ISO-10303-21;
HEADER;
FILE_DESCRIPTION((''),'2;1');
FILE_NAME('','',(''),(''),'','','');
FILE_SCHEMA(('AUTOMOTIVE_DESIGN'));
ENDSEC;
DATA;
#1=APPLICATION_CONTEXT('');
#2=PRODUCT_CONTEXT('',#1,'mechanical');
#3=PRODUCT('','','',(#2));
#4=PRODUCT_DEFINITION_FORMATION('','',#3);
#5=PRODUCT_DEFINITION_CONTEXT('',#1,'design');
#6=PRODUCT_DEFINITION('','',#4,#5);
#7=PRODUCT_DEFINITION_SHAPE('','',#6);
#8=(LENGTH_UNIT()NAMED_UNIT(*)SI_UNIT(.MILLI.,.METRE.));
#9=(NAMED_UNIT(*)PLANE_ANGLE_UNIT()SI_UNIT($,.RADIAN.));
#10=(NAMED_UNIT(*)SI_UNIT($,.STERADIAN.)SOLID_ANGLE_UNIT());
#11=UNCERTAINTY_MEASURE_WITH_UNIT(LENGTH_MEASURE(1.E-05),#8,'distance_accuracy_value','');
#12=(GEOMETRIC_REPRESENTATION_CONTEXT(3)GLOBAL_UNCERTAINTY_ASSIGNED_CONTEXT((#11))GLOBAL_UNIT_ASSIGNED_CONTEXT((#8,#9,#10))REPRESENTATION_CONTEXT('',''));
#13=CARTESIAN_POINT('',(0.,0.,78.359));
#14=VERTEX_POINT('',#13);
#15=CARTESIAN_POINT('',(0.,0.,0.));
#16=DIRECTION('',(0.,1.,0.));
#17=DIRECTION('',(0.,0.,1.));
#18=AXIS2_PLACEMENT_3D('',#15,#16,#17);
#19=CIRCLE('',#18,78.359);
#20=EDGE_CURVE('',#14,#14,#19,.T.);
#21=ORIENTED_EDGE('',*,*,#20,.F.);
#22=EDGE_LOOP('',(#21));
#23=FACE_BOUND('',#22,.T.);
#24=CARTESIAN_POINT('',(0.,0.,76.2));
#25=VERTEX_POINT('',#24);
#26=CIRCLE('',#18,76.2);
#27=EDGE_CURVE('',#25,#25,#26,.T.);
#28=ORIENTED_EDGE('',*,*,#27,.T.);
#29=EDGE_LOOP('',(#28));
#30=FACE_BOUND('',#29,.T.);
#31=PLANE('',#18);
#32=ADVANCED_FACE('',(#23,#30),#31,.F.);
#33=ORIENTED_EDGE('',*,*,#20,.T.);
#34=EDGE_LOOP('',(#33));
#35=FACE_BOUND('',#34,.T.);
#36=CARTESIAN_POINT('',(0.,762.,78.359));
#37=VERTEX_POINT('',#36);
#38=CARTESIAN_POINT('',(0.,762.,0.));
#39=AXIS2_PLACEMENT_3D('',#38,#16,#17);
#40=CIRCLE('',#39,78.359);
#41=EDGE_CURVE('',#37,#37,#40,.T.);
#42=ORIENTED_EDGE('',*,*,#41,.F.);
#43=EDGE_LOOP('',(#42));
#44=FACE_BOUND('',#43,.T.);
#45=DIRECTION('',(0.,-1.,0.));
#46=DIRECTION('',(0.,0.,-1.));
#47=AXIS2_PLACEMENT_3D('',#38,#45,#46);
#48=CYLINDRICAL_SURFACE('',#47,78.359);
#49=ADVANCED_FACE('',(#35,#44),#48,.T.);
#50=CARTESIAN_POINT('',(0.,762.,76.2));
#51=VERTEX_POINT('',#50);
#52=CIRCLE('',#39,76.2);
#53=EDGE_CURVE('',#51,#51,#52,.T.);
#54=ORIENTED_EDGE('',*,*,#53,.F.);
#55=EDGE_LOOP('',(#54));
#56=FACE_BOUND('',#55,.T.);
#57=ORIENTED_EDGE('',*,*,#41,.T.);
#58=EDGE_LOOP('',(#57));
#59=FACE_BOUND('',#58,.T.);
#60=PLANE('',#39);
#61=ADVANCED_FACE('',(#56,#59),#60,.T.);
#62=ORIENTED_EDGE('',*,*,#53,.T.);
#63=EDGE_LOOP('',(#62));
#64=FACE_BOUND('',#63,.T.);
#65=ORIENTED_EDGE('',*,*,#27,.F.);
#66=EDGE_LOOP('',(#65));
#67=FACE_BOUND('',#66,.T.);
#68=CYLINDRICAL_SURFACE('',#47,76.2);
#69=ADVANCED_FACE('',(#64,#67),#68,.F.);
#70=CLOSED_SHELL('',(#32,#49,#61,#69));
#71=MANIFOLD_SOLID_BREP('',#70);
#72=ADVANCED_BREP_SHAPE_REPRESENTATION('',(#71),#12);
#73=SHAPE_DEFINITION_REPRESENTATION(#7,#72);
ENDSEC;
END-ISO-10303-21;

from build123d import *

# Parameters (mm, degrees)
SKETCH1_R           = 78.359
SKETCH1_R_2         = 76.2
BOSS_EXTRUDE1_DEPTH = 762


with BuildPart() as part:
    # Sketch1 → Boss-Extrude1 (new body)
    with BuildSketch(Plane(origin=(0, 0, 0), x_dir=(1, 0, 0), z_dir=(0, 1, 0))):
        with Locations(Location((0, 0, 0), (0, 0, 270))):
            Circle(SKETCH1_R)
        with Locations(Location((0, 0, 0), (0, 0, 270))):
            Circle(SKETCH1_R_2, mode=Mode.SUBTRACT)
    extrude(amount=BOSS_EXTRUDE1_DEPTH)


solid = part.part
